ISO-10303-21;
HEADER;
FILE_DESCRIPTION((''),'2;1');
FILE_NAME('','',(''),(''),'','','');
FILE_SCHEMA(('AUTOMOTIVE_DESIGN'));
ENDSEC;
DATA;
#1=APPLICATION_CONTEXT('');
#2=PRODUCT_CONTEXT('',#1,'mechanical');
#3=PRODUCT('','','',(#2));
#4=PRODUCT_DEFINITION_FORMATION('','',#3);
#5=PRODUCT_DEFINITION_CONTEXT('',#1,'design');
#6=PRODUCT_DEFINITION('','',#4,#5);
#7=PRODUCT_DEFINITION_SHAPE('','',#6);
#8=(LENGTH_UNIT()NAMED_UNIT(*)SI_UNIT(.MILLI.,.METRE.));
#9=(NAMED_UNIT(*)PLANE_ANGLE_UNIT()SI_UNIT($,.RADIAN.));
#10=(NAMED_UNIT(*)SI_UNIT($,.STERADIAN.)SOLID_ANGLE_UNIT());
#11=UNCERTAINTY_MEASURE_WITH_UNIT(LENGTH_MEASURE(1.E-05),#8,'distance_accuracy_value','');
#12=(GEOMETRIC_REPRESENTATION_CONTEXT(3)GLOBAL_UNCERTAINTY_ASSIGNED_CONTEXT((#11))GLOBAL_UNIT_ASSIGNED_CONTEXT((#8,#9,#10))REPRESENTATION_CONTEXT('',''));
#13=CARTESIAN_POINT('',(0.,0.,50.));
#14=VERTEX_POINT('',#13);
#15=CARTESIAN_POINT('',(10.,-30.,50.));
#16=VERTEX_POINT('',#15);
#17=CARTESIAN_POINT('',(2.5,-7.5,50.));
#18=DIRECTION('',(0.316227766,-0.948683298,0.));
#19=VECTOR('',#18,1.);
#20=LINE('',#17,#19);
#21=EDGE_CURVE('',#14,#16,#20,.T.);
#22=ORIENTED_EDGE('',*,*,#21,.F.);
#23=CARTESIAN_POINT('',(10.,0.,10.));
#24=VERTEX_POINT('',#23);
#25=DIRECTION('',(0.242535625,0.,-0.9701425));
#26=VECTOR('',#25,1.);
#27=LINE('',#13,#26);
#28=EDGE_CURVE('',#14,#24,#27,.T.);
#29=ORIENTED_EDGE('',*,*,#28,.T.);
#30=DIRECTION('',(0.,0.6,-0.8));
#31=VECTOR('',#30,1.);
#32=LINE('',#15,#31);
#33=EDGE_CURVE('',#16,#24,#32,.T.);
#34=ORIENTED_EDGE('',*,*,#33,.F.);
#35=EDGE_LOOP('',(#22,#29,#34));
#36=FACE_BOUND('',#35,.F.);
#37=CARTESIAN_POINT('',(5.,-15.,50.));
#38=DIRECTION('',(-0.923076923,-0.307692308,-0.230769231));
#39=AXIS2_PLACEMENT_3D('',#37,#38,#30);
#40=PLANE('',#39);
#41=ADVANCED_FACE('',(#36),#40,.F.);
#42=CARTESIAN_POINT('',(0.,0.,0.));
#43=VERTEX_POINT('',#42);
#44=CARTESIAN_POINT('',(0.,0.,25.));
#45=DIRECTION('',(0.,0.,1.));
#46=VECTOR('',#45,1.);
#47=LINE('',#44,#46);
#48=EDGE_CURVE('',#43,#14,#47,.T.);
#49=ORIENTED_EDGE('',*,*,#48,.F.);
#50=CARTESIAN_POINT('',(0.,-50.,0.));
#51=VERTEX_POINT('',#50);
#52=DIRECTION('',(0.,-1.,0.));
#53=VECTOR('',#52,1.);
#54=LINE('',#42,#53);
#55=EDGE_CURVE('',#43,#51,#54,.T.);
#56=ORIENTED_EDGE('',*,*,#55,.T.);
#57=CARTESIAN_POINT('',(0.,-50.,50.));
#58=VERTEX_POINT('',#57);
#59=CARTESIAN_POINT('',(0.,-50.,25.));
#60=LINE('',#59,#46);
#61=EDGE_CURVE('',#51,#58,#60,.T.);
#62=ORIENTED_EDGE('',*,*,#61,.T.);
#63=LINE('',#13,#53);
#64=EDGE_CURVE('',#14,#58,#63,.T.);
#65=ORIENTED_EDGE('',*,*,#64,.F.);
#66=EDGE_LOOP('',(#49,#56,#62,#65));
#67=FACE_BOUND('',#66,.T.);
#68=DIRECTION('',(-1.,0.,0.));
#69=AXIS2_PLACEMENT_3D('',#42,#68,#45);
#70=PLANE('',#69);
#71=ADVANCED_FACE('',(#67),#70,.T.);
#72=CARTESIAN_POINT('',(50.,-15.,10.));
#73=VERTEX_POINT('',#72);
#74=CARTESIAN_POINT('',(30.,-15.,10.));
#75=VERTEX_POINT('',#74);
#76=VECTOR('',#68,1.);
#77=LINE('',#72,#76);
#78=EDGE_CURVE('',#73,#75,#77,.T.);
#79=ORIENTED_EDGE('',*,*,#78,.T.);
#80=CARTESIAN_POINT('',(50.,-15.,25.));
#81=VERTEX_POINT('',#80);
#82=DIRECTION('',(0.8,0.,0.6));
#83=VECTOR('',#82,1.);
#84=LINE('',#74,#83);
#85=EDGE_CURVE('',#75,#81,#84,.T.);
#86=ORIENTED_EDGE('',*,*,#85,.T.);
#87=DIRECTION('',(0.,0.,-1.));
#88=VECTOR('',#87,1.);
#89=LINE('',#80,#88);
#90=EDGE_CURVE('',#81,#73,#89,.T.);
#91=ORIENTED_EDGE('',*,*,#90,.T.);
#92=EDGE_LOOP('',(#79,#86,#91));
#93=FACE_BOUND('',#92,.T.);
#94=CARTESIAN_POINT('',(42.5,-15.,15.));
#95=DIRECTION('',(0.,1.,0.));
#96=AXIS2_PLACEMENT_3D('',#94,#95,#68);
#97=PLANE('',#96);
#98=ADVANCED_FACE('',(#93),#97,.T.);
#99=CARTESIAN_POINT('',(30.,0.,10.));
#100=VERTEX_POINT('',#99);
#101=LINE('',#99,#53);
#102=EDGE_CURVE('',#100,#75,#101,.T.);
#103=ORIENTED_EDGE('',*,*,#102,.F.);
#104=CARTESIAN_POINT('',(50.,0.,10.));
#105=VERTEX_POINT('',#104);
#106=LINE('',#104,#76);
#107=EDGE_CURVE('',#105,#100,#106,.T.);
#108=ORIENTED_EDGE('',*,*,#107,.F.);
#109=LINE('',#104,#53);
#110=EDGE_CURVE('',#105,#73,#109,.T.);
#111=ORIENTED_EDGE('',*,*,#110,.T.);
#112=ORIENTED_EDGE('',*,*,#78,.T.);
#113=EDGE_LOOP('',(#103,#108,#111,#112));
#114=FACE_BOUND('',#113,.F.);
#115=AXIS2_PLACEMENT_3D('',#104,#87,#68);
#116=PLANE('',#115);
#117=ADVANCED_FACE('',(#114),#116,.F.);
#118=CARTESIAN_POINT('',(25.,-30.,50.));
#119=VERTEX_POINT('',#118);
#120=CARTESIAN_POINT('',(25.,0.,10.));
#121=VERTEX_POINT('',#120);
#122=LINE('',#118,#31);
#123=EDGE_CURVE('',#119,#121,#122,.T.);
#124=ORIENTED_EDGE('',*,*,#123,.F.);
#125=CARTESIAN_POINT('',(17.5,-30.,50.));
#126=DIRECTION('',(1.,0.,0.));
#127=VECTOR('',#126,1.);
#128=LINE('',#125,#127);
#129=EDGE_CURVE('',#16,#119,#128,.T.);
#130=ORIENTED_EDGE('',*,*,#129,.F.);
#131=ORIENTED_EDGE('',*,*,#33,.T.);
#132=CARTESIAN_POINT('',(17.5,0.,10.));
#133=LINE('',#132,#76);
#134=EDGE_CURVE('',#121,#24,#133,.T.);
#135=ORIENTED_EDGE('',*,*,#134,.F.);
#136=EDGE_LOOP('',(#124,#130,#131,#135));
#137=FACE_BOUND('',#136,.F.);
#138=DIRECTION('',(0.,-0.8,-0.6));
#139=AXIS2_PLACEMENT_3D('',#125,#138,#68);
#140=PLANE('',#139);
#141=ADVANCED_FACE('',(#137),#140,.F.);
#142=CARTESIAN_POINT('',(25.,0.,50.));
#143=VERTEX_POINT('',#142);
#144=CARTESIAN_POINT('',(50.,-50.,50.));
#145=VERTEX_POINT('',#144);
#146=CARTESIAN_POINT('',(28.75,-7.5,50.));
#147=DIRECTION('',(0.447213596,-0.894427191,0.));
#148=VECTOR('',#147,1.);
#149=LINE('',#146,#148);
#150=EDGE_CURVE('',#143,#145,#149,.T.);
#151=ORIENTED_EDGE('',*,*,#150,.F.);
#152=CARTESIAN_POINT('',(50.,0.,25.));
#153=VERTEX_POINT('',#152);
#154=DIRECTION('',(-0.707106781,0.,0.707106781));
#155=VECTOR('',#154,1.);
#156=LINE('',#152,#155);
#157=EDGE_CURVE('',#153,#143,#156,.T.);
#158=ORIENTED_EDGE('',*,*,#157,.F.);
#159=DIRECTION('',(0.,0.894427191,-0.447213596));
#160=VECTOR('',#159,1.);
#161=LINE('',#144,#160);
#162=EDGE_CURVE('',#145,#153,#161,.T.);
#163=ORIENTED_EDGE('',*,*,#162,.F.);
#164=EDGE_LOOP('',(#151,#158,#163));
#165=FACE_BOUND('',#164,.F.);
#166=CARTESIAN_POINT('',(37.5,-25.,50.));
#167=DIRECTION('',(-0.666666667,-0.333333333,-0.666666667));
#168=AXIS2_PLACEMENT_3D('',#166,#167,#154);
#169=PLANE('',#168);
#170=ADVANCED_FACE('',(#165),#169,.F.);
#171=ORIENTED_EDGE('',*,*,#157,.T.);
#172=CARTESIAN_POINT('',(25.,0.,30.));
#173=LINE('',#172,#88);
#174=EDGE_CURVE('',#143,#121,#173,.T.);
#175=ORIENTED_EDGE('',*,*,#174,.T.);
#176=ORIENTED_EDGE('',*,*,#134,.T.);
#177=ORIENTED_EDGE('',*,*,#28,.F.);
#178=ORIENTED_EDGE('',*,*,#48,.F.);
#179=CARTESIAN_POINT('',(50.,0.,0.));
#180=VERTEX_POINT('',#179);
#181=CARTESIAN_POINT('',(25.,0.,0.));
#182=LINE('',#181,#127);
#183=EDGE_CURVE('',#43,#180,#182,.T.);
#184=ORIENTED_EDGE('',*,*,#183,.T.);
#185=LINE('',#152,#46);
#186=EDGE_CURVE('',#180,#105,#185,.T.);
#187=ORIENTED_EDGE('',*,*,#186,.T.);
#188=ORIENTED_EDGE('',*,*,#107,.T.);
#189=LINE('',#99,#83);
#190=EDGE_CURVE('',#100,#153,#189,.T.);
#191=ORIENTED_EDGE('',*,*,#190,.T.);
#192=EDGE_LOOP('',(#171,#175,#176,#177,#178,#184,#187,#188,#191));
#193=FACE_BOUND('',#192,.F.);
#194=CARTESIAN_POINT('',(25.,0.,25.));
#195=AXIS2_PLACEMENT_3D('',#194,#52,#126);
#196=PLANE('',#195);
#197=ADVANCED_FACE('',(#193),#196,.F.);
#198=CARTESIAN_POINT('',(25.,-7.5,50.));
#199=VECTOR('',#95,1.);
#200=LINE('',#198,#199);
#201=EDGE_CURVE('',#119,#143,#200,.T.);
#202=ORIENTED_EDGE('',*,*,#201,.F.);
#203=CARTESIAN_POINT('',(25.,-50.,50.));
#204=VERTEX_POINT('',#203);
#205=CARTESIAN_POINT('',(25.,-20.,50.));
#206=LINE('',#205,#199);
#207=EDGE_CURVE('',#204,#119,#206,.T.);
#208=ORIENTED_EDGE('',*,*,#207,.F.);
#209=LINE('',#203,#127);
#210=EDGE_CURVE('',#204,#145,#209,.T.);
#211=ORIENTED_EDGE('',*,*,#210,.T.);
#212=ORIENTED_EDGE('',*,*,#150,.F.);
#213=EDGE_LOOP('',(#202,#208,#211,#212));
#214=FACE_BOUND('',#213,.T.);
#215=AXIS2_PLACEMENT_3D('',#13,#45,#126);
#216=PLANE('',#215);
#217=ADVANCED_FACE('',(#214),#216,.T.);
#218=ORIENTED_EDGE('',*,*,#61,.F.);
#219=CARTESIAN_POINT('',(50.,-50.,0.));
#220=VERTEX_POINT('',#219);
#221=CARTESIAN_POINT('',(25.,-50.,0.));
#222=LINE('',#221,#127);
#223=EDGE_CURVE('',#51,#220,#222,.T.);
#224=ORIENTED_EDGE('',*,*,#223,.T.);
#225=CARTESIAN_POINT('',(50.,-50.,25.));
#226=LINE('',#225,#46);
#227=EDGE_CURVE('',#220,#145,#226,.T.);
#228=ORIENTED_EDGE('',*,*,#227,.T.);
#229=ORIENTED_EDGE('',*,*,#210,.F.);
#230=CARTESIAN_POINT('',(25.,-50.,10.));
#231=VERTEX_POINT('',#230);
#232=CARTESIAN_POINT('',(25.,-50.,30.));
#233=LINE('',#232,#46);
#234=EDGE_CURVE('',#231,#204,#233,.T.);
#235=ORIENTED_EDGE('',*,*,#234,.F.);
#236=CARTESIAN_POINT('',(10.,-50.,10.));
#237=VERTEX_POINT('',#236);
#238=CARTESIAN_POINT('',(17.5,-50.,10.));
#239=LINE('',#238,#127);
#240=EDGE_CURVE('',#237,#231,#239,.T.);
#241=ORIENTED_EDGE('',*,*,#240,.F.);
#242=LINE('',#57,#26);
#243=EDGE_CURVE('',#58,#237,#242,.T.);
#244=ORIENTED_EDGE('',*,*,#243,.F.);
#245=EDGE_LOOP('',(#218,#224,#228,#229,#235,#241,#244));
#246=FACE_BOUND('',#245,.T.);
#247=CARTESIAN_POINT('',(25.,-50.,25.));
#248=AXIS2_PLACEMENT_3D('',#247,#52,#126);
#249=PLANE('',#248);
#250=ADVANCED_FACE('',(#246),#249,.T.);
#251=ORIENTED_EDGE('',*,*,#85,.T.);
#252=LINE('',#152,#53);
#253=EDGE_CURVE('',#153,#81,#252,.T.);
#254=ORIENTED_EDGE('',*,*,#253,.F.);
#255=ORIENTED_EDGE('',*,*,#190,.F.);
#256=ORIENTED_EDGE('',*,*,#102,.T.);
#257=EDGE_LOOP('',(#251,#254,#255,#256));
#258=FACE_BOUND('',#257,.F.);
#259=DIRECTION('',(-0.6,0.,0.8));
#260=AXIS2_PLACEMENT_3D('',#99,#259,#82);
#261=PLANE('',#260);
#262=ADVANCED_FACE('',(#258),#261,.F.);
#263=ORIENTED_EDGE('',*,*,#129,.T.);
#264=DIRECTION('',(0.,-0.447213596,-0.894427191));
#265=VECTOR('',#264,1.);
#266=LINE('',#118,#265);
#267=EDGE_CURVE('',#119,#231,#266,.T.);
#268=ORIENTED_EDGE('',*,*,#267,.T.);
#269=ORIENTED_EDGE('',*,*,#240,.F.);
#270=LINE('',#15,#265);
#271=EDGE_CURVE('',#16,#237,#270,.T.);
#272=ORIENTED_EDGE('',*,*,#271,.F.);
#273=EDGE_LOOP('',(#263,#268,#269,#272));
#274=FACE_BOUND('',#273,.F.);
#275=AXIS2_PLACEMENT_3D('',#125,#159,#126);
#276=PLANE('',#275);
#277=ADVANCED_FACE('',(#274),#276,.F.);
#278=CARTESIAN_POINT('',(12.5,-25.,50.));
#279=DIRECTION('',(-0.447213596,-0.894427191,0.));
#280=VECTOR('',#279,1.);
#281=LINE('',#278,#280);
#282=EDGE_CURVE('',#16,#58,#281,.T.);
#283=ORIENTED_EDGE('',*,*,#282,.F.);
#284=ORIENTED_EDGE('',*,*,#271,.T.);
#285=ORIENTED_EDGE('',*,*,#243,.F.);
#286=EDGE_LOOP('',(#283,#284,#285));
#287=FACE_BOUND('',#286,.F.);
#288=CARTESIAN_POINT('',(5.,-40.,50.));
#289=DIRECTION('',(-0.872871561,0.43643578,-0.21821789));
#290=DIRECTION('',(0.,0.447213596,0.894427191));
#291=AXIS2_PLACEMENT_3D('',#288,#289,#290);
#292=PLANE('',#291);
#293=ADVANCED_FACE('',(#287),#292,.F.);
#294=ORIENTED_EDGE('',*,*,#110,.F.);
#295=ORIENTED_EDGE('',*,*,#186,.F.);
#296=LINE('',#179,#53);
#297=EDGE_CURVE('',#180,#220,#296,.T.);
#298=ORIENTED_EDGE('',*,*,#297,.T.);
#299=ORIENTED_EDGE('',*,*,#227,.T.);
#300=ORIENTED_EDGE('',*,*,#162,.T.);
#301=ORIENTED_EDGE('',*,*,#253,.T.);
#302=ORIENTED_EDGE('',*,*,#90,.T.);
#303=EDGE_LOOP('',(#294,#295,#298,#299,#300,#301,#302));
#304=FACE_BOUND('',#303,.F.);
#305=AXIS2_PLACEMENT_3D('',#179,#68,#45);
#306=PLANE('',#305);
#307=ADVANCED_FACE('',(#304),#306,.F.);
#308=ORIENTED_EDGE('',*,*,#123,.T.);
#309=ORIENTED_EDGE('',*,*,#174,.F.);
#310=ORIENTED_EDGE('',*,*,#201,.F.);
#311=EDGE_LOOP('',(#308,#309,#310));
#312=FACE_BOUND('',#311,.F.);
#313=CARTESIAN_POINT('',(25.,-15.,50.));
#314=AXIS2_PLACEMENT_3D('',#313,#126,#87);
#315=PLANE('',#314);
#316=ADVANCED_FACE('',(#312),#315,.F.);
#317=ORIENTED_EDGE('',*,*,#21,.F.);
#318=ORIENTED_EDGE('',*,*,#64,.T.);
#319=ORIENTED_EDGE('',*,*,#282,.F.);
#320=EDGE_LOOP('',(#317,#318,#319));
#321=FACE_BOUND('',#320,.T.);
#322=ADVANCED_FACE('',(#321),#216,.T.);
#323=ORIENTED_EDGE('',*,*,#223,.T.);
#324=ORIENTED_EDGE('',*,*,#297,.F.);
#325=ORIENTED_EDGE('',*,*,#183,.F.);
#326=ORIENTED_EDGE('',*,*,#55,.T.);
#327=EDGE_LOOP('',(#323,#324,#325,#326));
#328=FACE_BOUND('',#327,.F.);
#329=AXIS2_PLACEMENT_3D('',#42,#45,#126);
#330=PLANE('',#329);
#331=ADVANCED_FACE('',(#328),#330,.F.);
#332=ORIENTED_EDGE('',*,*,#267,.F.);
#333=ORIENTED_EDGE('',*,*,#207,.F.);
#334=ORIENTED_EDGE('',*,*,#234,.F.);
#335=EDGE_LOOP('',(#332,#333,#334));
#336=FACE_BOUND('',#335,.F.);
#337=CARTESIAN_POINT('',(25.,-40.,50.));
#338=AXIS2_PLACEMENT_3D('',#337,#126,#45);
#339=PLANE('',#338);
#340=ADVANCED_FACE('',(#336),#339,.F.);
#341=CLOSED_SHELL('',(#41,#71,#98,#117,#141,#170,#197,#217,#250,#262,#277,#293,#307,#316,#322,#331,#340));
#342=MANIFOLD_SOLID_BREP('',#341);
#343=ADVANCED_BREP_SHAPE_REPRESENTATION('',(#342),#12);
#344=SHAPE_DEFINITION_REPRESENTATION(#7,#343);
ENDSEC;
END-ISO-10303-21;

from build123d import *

# Parameters (mm, degrees)
F0_W      = 50
F0_H      = 50
F1_DEPTH  = 50
F8_W      = 15
F8_H      = 40
F10_W     = 15
F10_H     = 40
F19_DEPTH = 15


with BuildPart() as f1:
    # F0 (on Front) → F1 (new body)
    with BuildSketch(Plane.XZ):
        with Locations((25, 25)):
            Rectangle(F0_W, F0_H)
    extrude(amount=F1_DEPTH)

    # F7: sweep along a path in F5
    with BuildLine(Plane.YZ.offset(50)) as f7_path:
        Line((-50, 50), (0, 25))
    # F6 (on face) → F7 (sweep, cut)
    with BuildSketch(Plane(origin=(0, 0, 0), x_dir=(-1, 0, 0), z_dir=(0, 1, 0))):
        Polygon((-50, 25), (-25, 50), (-50, 50), align=None)
    sweep(path=f7_path.line, mode=Mode.SUBTRACT)

    # F9: sweep along a path in F2
    with BuildLine(Plane.YZ.offset(50)) as f9_path:
        Line((-30, 50), (-50, 10))
    # F8 (on face) → F9 (sweep, cut)
    with BuildSketch(Plane.XZ.offset(50)):
        with Locations((17.5, 30)):
            Rectangle(F8_W, F8_H)
    sweep(path=f9_path.line, mode=Mode.SUBTRACT)

    # F11: sweep along a path in F3
    with BuildLine(Plane.YZ.offset(50)) as f11_path:
        Line((-30, 50), (0, 10))
    # F10 (on face) → F11 (sweep, cut)
    with BuildSketch(Plane(origin=(0, 0, 0), x_dir=(-1, 0, 0), z_dir=(0, 1, 0))):
        with Locations((-17.5, 30)):
            Rectangle(F10_W, F10_H)
    sweep(path=f11_path.line, mode=Mode.SUBTRACT)

    # F14: sweep along a path in F12
    with BuildLine(Plane.XZ.offset(50)) as f14_path:
        Line((0, 50), (10, 10))
    # F9_face (on face) → F14 (sweep, cut)
    with BuildSketch(Plane(origin=(10, -43.3333333333, 36.6666666667), x_dir=(0, 1, 0), z_dir=(1, 0, 0))):
        Polygon((-6.6666666667, 13.3333333333), (-6.6666666667, -26.6666666667), (13.3333333333, 13.3333333333), align=None)
    sweep(path=f14_path.line, mode=Mode.SUBTRACT)

    # F16: sweep along a path in F15
    with BuildLine(Plane(origin=(0, 0, 0), x_dir=(-1, 0, 0), z_dir=(0, 1, 0))) as f16_path:
        Line((0, 50), (-10, 10))
    # F11_face (on face) → F16 (sweep, cut)
    with BuildSketch(Plane(origin=(10, -10, 36.6666666667), x_dir=(0, 1, 0), z_dir=(1, 0, 0))):
        Polygon((-20, 13.3333333333), (10, -26.6666666667), (10, 13.3333333333), align=None)
    sweep(path=f16_path.line, mode=Mode.SUBTRACT)

    # F18 (on face) → F19 (cut, through all)
    with BuildSketch(Plane(origin=(0, 0, 0), x_dir=(-1, 0, 0), z_dir=(0, 1, 0))):
        Polygon((-30, 10), (-50, 25), (-50, 10), align=None)
    extrude(amount=-F19_DEPTH, mode=Mode.SUBTRACT)


solid = f1.part
